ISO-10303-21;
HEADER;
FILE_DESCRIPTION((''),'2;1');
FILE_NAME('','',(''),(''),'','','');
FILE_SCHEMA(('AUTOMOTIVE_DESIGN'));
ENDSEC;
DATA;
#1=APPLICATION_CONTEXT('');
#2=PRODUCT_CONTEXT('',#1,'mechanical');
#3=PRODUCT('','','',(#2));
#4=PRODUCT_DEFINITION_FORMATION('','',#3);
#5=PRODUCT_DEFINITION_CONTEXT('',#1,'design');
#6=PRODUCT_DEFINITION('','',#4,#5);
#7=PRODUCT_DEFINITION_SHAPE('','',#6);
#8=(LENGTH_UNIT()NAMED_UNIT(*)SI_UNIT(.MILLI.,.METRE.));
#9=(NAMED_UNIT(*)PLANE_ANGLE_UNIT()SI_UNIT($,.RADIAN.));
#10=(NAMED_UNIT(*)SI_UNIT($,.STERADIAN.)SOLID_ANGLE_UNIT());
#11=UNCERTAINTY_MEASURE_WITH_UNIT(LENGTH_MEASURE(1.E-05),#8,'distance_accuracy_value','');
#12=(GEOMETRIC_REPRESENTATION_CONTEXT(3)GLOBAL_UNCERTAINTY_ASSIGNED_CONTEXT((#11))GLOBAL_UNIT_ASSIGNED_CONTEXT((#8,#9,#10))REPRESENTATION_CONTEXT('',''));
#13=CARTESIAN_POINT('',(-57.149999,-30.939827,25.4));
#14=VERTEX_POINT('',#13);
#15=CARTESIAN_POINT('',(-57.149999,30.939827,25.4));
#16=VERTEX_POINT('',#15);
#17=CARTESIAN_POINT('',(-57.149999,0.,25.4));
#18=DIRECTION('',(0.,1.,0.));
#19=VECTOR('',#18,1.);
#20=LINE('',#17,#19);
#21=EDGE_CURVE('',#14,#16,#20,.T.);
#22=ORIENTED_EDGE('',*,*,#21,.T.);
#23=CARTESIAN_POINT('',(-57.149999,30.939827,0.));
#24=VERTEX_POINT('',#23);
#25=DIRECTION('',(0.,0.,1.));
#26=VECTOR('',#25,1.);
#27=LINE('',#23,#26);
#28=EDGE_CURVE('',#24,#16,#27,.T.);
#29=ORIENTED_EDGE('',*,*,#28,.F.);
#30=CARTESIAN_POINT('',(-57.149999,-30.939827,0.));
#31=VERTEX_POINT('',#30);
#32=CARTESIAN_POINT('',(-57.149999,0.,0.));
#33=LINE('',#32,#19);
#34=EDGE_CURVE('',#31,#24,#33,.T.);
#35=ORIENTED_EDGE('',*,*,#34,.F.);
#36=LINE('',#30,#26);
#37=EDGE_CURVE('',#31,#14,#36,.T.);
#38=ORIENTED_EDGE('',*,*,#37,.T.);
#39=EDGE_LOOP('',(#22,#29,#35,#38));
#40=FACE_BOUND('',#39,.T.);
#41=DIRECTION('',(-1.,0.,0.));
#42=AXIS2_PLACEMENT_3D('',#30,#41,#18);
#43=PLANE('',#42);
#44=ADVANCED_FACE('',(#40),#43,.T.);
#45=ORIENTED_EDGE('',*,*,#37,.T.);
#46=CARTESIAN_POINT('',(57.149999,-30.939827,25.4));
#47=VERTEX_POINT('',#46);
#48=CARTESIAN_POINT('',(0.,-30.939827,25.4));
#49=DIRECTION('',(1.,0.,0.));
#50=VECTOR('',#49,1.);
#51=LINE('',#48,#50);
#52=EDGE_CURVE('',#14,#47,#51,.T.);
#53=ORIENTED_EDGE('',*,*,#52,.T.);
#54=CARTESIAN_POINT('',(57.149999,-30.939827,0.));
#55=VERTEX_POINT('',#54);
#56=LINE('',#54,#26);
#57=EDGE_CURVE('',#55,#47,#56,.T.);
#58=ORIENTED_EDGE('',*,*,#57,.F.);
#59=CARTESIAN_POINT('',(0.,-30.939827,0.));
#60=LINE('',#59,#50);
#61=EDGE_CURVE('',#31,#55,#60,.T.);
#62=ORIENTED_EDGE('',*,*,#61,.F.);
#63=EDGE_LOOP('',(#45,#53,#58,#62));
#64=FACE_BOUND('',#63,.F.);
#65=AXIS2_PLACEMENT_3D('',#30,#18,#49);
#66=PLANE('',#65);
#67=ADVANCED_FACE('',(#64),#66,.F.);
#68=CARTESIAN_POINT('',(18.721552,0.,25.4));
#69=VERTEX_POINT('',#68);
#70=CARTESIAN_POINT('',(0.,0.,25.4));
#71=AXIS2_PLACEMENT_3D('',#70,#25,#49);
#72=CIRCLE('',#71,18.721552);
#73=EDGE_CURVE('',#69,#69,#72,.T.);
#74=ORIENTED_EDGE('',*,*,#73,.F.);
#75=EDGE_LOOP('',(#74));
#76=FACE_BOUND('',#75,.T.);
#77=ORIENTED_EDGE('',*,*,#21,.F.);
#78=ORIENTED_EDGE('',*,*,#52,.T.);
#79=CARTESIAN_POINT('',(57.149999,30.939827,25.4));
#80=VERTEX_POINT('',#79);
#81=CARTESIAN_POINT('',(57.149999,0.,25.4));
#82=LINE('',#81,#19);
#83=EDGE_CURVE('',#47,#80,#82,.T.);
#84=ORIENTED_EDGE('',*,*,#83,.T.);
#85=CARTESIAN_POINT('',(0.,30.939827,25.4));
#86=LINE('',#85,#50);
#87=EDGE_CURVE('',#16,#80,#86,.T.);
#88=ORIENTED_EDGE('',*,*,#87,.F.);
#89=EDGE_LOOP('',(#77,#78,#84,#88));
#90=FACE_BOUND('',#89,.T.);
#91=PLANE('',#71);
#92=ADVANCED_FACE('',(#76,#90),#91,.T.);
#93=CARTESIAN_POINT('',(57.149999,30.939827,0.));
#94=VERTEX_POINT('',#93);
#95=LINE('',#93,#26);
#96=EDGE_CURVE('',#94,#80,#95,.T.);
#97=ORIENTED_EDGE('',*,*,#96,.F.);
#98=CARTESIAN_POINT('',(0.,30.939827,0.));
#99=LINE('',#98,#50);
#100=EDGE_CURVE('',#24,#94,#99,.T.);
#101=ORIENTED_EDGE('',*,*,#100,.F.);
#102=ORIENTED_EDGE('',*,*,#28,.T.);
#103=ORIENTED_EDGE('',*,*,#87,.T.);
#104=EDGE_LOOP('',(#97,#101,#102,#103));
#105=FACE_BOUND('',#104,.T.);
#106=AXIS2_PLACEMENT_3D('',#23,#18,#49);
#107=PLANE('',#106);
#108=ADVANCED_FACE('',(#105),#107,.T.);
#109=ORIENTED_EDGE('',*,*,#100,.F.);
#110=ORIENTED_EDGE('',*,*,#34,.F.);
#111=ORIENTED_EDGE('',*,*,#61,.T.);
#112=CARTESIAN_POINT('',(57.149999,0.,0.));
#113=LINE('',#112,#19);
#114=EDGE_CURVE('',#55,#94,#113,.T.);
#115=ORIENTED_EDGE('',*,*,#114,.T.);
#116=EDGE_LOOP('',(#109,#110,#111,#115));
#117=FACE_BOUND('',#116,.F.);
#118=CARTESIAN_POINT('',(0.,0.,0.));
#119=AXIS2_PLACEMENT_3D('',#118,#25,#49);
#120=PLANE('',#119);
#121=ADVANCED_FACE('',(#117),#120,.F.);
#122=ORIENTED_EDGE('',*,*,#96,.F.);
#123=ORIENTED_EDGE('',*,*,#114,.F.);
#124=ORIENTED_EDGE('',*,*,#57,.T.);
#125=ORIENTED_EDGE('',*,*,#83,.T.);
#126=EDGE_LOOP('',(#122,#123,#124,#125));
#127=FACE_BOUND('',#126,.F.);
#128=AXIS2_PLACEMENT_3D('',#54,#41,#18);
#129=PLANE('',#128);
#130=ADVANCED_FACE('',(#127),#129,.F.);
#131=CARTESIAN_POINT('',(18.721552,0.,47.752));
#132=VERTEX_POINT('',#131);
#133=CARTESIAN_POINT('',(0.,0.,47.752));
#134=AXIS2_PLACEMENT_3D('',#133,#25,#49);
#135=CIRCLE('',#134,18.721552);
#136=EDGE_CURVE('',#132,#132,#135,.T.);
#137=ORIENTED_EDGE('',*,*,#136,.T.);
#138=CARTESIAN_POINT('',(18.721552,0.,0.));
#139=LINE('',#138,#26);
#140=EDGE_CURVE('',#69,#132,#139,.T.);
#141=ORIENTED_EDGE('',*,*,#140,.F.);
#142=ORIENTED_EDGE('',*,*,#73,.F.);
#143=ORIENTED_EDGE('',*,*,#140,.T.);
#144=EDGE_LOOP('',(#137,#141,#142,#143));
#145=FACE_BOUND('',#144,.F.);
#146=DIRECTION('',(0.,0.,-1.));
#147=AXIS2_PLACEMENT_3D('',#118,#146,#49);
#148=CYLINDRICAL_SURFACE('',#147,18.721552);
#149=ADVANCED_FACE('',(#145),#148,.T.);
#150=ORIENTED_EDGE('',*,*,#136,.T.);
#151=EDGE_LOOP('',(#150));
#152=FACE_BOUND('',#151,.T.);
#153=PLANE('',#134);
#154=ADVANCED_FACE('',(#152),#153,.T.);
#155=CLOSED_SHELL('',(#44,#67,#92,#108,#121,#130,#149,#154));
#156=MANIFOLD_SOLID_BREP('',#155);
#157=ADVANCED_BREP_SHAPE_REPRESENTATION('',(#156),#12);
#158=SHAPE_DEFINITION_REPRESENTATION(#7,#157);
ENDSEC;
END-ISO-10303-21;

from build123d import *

# Parameters (mm, degrees)
F0_W     = 114.299998
F0_H     = 61.879654
F0_R     = 18.721552
F2_DEPTH = 25.4
F1_R     = 18.721552
F3_DEPTH = 47.752


with BuildPart() as f2:
    # F0 (on Top) → F2 (new body)
    with BuildSketch(Plane.XY):
        Rectangle(F0_W, F0_H)
        Circle(F0_R, mode=Mode.SUBTRACT)
    extrude(amount=F2_DEPTH)

    # F1 (on face) → F3 (join)
    with BuildSketch(Plane.XY):
        Circle(F1_R)
    extrude(amount=F3_DEPTH)


solid = f2.part
